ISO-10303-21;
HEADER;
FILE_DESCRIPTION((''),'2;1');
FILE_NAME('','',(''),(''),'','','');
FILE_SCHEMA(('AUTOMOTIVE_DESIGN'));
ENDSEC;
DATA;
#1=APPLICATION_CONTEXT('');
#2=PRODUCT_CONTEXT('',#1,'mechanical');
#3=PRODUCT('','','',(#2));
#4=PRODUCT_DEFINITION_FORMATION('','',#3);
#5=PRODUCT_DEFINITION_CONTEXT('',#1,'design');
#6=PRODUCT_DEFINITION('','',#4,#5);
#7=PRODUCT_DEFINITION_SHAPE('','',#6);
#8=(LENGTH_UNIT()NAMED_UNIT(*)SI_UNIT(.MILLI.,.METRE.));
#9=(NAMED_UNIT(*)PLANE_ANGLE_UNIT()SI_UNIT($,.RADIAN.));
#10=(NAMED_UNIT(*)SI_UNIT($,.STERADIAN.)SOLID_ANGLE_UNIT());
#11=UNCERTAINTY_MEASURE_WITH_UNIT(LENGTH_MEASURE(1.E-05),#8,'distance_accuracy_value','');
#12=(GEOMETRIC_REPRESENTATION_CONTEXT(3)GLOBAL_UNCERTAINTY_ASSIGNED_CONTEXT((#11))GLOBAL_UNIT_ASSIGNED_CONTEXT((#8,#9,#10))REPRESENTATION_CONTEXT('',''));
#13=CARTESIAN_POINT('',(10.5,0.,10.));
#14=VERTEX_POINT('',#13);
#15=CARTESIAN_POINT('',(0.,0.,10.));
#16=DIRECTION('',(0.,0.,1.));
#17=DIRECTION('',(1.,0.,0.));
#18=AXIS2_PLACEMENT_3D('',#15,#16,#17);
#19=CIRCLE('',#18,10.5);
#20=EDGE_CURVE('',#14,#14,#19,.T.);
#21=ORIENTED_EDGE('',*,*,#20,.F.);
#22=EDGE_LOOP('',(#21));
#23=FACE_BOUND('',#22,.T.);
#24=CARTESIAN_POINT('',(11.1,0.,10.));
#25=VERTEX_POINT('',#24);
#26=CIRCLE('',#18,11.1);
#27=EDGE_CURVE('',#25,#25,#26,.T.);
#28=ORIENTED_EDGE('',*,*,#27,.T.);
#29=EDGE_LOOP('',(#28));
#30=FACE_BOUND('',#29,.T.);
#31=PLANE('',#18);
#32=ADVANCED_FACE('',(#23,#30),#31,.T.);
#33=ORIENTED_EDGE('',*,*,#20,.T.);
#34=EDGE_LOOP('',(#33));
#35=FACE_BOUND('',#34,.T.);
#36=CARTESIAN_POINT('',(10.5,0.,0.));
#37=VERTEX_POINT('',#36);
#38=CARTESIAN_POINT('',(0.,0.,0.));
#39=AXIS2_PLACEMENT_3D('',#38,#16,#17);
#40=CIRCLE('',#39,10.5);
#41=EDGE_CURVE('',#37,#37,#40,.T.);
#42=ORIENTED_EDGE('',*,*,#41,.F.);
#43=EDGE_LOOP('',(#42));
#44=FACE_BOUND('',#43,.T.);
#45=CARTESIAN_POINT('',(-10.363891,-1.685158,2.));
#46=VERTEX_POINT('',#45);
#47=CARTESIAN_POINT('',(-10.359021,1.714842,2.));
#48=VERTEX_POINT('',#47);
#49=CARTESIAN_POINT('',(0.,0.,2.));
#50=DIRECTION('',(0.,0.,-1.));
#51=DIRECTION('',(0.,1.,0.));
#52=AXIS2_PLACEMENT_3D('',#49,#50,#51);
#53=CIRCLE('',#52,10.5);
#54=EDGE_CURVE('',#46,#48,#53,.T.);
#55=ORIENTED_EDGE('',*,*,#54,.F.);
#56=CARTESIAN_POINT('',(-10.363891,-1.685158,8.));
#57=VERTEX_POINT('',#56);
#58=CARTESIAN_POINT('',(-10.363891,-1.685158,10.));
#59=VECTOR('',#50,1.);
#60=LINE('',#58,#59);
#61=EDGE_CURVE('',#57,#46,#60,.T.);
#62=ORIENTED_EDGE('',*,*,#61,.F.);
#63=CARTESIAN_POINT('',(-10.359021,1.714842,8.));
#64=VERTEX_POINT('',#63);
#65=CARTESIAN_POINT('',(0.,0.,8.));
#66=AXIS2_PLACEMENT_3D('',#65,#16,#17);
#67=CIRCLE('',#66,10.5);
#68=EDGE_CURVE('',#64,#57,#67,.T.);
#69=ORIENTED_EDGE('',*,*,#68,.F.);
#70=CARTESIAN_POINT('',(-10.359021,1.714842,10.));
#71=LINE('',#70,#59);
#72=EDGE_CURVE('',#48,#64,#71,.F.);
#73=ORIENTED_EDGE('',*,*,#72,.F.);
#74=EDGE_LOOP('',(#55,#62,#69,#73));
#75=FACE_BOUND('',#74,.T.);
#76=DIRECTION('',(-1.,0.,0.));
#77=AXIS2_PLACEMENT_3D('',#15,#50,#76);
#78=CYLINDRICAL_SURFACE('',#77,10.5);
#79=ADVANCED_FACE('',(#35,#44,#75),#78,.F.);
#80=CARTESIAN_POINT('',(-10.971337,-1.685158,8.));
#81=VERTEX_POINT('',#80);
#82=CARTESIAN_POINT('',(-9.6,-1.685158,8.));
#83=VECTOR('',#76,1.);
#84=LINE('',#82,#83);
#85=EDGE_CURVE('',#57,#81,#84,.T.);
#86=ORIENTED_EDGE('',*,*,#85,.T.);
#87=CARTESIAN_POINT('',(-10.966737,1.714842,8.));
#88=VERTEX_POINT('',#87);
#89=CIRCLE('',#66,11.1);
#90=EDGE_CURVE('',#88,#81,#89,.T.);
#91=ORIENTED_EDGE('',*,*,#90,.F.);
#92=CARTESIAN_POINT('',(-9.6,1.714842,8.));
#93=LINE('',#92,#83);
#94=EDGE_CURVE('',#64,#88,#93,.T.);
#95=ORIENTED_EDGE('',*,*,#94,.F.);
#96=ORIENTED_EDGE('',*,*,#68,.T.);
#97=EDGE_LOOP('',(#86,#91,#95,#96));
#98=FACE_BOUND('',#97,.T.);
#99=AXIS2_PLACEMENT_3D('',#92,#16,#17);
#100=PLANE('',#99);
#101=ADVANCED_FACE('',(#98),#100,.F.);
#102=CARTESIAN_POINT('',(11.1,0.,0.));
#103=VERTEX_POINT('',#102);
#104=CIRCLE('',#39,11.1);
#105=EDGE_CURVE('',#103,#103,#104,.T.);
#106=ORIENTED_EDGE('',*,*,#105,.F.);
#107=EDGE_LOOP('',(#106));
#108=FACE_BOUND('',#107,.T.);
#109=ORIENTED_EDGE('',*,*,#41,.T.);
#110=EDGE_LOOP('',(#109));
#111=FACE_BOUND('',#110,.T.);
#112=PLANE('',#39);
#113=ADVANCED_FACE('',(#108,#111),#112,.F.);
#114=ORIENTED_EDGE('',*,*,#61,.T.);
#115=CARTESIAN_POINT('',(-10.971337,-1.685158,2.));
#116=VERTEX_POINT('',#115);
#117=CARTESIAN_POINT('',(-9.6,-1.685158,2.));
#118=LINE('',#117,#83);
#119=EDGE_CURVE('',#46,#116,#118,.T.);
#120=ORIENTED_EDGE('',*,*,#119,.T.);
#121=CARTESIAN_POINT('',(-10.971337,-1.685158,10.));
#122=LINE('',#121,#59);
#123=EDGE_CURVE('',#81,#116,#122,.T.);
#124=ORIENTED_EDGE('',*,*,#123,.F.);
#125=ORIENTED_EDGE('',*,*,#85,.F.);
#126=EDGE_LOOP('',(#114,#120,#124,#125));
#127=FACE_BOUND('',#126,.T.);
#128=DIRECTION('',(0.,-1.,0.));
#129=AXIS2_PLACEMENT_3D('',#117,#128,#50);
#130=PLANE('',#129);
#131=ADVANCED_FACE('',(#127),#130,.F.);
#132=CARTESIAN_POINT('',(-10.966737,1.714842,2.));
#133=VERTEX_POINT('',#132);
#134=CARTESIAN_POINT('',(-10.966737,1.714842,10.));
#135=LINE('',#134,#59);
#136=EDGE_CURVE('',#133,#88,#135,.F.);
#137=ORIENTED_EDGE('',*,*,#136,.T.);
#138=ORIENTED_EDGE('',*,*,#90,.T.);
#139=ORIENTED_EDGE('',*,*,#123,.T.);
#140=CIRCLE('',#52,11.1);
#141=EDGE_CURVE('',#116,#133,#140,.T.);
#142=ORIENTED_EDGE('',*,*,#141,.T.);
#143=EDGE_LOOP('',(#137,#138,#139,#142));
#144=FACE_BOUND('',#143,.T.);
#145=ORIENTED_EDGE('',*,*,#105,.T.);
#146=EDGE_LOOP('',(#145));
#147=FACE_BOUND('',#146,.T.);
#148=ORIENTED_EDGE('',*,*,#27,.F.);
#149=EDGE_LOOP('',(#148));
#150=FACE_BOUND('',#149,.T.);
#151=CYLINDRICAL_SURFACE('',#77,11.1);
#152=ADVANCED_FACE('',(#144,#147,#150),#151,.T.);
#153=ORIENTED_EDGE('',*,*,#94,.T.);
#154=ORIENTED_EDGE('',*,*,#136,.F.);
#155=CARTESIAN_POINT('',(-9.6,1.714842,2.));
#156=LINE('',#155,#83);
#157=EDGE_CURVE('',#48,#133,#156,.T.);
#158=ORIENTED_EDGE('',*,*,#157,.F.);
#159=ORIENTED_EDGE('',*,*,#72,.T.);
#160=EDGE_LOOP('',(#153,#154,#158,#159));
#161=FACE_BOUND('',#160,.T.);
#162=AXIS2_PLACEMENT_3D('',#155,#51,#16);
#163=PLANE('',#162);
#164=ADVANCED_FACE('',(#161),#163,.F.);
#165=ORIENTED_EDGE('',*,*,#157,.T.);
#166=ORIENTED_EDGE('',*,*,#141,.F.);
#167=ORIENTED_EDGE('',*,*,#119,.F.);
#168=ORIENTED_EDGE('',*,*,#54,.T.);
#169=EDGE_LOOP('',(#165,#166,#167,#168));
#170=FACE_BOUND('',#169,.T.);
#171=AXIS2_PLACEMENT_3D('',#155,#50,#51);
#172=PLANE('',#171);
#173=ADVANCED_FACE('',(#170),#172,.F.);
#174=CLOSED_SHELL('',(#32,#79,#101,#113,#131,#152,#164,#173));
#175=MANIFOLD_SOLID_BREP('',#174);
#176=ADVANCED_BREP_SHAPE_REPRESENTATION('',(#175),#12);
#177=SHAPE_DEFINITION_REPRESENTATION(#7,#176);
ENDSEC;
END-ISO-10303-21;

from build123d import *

# Parameters (mm, degrees)
SKETCH_1_R          = 11.1
SKETCH_1_R_2        = 10.5
EXTRUDE_1_DEPTH     = 10
SKETCH_3_W          = 6
SKETCH_3_H          = 3.4
CUT_EXTRUDE_1_DEPTH = 1.5


with BuildPart() as part:
    # 草图1 → 凸台-拉伸1 (new body)
    with BuildSketch(Plane.XY):
        Circle(SKETCH_1_R)
        Circle(SKETCH_1_R_2, mode=Mode.SUBTRACT)
    extrude(amount=EXTRUDE_1_DEPTH)

    # 草图3 → 切除-拉伸1 (cut)
    with BuildSketch(Plane.ZY.offset(11.1)):
        with Locations((5, 0.014841624)):
            Rectangle(SKETCH_3_W, SKETCH_3_H)
    extrude(amount=-CUT_EXTRUDE_1_DEPTH, mode=Mode.SUBTRACT)


solid = part.part
